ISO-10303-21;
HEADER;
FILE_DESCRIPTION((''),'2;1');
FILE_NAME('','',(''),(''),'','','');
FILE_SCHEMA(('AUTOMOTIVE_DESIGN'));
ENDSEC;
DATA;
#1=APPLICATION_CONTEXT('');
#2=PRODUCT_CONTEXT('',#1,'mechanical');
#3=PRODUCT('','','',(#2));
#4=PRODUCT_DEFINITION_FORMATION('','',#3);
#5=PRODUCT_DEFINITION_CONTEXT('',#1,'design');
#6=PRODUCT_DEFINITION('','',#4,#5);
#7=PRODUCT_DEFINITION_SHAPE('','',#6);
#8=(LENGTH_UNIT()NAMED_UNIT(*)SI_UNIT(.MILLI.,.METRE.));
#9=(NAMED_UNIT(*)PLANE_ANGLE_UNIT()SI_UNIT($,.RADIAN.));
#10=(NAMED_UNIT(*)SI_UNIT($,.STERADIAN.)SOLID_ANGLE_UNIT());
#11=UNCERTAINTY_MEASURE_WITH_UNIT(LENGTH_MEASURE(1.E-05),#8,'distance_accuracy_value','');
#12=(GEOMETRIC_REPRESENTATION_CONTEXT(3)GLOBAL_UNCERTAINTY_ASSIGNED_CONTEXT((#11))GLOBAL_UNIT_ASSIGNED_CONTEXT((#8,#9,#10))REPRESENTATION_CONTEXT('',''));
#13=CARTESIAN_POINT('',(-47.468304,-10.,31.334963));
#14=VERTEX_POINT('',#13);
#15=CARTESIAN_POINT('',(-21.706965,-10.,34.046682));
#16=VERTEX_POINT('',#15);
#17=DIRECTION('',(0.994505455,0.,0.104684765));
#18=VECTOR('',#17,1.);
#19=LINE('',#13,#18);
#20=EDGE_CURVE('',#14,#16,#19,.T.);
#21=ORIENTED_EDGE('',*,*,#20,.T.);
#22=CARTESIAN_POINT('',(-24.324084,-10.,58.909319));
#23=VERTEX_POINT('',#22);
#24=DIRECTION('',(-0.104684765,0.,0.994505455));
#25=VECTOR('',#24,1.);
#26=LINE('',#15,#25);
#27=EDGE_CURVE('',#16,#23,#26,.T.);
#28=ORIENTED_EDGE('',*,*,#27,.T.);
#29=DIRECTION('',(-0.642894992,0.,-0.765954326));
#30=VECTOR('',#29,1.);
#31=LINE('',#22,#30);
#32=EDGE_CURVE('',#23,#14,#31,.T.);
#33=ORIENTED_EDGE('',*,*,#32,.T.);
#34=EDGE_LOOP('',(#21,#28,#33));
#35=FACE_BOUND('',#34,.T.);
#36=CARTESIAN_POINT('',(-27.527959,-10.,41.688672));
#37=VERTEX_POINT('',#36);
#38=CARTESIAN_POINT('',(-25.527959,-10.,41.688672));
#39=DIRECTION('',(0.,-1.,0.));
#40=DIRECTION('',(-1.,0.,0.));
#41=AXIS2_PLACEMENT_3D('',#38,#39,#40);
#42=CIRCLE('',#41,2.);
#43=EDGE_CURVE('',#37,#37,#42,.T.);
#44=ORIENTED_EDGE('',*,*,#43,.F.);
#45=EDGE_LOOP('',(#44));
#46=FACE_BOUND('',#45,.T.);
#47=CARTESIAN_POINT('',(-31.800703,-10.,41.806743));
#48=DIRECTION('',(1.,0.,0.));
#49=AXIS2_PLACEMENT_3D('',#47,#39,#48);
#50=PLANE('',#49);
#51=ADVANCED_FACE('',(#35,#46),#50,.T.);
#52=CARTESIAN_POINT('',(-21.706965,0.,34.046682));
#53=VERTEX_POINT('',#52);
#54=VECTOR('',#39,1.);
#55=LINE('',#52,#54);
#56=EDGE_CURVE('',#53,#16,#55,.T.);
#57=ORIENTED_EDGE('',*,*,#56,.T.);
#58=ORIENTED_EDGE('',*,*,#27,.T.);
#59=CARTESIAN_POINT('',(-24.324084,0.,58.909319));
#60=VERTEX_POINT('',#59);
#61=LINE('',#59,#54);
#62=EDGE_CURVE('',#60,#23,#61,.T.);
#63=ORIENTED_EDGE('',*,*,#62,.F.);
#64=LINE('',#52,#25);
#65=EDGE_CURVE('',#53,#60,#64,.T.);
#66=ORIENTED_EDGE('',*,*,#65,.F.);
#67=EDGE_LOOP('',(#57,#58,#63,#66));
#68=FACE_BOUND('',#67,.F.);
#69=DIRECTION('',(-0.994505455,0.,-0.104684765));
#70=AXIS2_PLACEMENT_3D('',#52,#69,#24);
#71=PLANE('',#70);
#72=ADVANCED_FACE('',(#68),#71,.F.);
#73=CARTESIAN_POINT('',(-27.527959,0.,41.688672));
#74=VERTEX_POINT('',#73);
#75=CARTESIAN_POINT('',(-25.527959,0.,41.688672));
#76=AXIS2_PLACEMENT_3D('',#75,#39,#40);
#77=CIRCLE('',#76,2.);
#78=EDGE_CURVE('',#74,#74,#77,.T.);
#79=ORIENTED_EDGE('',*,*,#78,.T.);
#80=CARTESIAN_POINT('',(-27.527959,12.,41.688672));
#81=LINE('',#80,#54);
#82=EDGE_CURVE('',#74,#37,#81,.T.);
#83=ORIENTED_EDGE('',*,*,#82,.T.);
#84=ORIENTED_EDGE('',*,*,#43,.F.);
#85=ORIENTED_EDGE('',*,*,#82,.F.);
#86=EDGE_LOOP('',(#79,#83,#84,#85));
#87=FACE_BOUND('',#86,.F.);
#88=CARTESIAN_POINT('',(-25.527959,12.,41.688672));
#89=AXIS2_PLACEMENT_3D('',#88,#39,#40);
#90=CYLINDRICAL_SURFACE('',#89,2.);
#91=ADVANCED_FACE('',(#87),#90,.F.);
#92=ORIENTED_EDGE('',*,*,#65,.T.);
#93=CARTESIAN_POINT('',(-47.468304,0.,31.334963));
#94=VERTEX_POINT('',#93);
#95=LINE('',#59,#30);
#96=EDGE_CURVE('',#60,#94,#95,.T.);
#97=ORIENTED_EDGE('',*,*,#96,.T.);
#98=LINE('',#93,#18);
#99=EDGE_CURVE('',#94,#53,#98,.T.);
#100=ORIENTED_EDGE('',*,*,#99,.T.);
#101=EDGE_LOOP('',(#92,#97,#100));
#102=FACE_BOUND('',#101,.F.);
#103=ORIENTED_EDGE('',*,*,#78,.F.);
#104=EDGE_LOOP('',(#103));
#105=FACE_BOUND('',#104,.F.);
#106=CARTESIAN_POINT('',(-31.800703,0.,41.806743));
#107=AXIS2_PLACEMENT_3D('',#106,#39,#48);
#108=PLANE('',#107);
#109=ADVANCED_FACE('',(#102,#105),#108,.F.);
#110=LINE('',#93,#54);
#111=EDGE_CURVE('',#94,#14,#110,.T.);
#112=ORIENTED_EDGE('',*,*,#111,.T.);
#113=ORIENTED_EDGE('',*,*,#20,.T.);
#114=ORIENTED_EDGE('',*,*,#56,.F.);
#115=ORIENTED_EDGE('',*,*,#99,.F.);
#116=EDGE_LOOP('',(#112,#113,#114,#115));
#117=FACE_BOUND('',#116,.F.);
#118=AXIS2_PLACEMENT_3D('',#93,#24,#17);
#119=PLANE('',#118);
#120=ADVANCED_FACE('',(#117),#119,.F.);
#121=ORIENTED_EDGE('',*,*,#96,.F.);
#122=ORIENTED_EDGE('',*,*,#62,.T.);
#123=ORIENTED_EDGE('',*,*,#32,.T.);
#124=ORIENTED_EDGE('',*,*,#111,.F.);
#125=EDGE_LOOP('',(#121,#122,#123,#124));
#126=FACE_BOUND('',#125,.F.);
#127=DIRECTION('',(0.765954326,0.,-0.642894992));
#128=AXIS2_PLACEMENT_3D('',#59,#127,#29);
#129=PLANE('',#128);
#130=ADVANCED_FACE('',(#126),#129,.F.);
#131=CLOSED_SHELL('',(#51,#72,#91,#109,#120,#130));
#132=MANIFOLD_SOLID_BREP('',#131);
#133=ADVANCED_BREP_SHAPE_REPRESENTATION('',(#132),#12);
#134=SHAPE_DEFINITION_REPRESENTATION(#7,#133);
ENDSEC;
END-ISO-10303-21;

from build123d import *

# Parameters (mm, degrees)
F1_DEPTH = 10
F2_D     = 4
F2_DEPTH = 12
F2_TIP   = 1.2017212381


with BuildPart() as f1:
    # F0 (on Front) → F1 (new body)
    with BuildSketch(Plane.XZ):
        Polygon((-21.7069650015, 34.0466823065), (-24.3240841142, 58.9093186822), (-47.4683038283, 31.3349629541), align=None)
    extrude(amount=F1_DEPTH)

    # F2
    with Locations(Plane(origin=(0, 0, 0), x_dir=(1, 0, 0), z_dir=(0, 1, 0))):
        with Locations((-25.5279594826, -41.6886716532)):
            Hole(F2_D / 2, depth=F2_DEPTH)
            with Locations((0, 0, -(F2_DEPTH + F2_TIP / 2))):  # 118° drill point
                Cone(0, F2_D / 2, F2_TIP, mode=Mode.SUBTRACT)


solid = f1.part
